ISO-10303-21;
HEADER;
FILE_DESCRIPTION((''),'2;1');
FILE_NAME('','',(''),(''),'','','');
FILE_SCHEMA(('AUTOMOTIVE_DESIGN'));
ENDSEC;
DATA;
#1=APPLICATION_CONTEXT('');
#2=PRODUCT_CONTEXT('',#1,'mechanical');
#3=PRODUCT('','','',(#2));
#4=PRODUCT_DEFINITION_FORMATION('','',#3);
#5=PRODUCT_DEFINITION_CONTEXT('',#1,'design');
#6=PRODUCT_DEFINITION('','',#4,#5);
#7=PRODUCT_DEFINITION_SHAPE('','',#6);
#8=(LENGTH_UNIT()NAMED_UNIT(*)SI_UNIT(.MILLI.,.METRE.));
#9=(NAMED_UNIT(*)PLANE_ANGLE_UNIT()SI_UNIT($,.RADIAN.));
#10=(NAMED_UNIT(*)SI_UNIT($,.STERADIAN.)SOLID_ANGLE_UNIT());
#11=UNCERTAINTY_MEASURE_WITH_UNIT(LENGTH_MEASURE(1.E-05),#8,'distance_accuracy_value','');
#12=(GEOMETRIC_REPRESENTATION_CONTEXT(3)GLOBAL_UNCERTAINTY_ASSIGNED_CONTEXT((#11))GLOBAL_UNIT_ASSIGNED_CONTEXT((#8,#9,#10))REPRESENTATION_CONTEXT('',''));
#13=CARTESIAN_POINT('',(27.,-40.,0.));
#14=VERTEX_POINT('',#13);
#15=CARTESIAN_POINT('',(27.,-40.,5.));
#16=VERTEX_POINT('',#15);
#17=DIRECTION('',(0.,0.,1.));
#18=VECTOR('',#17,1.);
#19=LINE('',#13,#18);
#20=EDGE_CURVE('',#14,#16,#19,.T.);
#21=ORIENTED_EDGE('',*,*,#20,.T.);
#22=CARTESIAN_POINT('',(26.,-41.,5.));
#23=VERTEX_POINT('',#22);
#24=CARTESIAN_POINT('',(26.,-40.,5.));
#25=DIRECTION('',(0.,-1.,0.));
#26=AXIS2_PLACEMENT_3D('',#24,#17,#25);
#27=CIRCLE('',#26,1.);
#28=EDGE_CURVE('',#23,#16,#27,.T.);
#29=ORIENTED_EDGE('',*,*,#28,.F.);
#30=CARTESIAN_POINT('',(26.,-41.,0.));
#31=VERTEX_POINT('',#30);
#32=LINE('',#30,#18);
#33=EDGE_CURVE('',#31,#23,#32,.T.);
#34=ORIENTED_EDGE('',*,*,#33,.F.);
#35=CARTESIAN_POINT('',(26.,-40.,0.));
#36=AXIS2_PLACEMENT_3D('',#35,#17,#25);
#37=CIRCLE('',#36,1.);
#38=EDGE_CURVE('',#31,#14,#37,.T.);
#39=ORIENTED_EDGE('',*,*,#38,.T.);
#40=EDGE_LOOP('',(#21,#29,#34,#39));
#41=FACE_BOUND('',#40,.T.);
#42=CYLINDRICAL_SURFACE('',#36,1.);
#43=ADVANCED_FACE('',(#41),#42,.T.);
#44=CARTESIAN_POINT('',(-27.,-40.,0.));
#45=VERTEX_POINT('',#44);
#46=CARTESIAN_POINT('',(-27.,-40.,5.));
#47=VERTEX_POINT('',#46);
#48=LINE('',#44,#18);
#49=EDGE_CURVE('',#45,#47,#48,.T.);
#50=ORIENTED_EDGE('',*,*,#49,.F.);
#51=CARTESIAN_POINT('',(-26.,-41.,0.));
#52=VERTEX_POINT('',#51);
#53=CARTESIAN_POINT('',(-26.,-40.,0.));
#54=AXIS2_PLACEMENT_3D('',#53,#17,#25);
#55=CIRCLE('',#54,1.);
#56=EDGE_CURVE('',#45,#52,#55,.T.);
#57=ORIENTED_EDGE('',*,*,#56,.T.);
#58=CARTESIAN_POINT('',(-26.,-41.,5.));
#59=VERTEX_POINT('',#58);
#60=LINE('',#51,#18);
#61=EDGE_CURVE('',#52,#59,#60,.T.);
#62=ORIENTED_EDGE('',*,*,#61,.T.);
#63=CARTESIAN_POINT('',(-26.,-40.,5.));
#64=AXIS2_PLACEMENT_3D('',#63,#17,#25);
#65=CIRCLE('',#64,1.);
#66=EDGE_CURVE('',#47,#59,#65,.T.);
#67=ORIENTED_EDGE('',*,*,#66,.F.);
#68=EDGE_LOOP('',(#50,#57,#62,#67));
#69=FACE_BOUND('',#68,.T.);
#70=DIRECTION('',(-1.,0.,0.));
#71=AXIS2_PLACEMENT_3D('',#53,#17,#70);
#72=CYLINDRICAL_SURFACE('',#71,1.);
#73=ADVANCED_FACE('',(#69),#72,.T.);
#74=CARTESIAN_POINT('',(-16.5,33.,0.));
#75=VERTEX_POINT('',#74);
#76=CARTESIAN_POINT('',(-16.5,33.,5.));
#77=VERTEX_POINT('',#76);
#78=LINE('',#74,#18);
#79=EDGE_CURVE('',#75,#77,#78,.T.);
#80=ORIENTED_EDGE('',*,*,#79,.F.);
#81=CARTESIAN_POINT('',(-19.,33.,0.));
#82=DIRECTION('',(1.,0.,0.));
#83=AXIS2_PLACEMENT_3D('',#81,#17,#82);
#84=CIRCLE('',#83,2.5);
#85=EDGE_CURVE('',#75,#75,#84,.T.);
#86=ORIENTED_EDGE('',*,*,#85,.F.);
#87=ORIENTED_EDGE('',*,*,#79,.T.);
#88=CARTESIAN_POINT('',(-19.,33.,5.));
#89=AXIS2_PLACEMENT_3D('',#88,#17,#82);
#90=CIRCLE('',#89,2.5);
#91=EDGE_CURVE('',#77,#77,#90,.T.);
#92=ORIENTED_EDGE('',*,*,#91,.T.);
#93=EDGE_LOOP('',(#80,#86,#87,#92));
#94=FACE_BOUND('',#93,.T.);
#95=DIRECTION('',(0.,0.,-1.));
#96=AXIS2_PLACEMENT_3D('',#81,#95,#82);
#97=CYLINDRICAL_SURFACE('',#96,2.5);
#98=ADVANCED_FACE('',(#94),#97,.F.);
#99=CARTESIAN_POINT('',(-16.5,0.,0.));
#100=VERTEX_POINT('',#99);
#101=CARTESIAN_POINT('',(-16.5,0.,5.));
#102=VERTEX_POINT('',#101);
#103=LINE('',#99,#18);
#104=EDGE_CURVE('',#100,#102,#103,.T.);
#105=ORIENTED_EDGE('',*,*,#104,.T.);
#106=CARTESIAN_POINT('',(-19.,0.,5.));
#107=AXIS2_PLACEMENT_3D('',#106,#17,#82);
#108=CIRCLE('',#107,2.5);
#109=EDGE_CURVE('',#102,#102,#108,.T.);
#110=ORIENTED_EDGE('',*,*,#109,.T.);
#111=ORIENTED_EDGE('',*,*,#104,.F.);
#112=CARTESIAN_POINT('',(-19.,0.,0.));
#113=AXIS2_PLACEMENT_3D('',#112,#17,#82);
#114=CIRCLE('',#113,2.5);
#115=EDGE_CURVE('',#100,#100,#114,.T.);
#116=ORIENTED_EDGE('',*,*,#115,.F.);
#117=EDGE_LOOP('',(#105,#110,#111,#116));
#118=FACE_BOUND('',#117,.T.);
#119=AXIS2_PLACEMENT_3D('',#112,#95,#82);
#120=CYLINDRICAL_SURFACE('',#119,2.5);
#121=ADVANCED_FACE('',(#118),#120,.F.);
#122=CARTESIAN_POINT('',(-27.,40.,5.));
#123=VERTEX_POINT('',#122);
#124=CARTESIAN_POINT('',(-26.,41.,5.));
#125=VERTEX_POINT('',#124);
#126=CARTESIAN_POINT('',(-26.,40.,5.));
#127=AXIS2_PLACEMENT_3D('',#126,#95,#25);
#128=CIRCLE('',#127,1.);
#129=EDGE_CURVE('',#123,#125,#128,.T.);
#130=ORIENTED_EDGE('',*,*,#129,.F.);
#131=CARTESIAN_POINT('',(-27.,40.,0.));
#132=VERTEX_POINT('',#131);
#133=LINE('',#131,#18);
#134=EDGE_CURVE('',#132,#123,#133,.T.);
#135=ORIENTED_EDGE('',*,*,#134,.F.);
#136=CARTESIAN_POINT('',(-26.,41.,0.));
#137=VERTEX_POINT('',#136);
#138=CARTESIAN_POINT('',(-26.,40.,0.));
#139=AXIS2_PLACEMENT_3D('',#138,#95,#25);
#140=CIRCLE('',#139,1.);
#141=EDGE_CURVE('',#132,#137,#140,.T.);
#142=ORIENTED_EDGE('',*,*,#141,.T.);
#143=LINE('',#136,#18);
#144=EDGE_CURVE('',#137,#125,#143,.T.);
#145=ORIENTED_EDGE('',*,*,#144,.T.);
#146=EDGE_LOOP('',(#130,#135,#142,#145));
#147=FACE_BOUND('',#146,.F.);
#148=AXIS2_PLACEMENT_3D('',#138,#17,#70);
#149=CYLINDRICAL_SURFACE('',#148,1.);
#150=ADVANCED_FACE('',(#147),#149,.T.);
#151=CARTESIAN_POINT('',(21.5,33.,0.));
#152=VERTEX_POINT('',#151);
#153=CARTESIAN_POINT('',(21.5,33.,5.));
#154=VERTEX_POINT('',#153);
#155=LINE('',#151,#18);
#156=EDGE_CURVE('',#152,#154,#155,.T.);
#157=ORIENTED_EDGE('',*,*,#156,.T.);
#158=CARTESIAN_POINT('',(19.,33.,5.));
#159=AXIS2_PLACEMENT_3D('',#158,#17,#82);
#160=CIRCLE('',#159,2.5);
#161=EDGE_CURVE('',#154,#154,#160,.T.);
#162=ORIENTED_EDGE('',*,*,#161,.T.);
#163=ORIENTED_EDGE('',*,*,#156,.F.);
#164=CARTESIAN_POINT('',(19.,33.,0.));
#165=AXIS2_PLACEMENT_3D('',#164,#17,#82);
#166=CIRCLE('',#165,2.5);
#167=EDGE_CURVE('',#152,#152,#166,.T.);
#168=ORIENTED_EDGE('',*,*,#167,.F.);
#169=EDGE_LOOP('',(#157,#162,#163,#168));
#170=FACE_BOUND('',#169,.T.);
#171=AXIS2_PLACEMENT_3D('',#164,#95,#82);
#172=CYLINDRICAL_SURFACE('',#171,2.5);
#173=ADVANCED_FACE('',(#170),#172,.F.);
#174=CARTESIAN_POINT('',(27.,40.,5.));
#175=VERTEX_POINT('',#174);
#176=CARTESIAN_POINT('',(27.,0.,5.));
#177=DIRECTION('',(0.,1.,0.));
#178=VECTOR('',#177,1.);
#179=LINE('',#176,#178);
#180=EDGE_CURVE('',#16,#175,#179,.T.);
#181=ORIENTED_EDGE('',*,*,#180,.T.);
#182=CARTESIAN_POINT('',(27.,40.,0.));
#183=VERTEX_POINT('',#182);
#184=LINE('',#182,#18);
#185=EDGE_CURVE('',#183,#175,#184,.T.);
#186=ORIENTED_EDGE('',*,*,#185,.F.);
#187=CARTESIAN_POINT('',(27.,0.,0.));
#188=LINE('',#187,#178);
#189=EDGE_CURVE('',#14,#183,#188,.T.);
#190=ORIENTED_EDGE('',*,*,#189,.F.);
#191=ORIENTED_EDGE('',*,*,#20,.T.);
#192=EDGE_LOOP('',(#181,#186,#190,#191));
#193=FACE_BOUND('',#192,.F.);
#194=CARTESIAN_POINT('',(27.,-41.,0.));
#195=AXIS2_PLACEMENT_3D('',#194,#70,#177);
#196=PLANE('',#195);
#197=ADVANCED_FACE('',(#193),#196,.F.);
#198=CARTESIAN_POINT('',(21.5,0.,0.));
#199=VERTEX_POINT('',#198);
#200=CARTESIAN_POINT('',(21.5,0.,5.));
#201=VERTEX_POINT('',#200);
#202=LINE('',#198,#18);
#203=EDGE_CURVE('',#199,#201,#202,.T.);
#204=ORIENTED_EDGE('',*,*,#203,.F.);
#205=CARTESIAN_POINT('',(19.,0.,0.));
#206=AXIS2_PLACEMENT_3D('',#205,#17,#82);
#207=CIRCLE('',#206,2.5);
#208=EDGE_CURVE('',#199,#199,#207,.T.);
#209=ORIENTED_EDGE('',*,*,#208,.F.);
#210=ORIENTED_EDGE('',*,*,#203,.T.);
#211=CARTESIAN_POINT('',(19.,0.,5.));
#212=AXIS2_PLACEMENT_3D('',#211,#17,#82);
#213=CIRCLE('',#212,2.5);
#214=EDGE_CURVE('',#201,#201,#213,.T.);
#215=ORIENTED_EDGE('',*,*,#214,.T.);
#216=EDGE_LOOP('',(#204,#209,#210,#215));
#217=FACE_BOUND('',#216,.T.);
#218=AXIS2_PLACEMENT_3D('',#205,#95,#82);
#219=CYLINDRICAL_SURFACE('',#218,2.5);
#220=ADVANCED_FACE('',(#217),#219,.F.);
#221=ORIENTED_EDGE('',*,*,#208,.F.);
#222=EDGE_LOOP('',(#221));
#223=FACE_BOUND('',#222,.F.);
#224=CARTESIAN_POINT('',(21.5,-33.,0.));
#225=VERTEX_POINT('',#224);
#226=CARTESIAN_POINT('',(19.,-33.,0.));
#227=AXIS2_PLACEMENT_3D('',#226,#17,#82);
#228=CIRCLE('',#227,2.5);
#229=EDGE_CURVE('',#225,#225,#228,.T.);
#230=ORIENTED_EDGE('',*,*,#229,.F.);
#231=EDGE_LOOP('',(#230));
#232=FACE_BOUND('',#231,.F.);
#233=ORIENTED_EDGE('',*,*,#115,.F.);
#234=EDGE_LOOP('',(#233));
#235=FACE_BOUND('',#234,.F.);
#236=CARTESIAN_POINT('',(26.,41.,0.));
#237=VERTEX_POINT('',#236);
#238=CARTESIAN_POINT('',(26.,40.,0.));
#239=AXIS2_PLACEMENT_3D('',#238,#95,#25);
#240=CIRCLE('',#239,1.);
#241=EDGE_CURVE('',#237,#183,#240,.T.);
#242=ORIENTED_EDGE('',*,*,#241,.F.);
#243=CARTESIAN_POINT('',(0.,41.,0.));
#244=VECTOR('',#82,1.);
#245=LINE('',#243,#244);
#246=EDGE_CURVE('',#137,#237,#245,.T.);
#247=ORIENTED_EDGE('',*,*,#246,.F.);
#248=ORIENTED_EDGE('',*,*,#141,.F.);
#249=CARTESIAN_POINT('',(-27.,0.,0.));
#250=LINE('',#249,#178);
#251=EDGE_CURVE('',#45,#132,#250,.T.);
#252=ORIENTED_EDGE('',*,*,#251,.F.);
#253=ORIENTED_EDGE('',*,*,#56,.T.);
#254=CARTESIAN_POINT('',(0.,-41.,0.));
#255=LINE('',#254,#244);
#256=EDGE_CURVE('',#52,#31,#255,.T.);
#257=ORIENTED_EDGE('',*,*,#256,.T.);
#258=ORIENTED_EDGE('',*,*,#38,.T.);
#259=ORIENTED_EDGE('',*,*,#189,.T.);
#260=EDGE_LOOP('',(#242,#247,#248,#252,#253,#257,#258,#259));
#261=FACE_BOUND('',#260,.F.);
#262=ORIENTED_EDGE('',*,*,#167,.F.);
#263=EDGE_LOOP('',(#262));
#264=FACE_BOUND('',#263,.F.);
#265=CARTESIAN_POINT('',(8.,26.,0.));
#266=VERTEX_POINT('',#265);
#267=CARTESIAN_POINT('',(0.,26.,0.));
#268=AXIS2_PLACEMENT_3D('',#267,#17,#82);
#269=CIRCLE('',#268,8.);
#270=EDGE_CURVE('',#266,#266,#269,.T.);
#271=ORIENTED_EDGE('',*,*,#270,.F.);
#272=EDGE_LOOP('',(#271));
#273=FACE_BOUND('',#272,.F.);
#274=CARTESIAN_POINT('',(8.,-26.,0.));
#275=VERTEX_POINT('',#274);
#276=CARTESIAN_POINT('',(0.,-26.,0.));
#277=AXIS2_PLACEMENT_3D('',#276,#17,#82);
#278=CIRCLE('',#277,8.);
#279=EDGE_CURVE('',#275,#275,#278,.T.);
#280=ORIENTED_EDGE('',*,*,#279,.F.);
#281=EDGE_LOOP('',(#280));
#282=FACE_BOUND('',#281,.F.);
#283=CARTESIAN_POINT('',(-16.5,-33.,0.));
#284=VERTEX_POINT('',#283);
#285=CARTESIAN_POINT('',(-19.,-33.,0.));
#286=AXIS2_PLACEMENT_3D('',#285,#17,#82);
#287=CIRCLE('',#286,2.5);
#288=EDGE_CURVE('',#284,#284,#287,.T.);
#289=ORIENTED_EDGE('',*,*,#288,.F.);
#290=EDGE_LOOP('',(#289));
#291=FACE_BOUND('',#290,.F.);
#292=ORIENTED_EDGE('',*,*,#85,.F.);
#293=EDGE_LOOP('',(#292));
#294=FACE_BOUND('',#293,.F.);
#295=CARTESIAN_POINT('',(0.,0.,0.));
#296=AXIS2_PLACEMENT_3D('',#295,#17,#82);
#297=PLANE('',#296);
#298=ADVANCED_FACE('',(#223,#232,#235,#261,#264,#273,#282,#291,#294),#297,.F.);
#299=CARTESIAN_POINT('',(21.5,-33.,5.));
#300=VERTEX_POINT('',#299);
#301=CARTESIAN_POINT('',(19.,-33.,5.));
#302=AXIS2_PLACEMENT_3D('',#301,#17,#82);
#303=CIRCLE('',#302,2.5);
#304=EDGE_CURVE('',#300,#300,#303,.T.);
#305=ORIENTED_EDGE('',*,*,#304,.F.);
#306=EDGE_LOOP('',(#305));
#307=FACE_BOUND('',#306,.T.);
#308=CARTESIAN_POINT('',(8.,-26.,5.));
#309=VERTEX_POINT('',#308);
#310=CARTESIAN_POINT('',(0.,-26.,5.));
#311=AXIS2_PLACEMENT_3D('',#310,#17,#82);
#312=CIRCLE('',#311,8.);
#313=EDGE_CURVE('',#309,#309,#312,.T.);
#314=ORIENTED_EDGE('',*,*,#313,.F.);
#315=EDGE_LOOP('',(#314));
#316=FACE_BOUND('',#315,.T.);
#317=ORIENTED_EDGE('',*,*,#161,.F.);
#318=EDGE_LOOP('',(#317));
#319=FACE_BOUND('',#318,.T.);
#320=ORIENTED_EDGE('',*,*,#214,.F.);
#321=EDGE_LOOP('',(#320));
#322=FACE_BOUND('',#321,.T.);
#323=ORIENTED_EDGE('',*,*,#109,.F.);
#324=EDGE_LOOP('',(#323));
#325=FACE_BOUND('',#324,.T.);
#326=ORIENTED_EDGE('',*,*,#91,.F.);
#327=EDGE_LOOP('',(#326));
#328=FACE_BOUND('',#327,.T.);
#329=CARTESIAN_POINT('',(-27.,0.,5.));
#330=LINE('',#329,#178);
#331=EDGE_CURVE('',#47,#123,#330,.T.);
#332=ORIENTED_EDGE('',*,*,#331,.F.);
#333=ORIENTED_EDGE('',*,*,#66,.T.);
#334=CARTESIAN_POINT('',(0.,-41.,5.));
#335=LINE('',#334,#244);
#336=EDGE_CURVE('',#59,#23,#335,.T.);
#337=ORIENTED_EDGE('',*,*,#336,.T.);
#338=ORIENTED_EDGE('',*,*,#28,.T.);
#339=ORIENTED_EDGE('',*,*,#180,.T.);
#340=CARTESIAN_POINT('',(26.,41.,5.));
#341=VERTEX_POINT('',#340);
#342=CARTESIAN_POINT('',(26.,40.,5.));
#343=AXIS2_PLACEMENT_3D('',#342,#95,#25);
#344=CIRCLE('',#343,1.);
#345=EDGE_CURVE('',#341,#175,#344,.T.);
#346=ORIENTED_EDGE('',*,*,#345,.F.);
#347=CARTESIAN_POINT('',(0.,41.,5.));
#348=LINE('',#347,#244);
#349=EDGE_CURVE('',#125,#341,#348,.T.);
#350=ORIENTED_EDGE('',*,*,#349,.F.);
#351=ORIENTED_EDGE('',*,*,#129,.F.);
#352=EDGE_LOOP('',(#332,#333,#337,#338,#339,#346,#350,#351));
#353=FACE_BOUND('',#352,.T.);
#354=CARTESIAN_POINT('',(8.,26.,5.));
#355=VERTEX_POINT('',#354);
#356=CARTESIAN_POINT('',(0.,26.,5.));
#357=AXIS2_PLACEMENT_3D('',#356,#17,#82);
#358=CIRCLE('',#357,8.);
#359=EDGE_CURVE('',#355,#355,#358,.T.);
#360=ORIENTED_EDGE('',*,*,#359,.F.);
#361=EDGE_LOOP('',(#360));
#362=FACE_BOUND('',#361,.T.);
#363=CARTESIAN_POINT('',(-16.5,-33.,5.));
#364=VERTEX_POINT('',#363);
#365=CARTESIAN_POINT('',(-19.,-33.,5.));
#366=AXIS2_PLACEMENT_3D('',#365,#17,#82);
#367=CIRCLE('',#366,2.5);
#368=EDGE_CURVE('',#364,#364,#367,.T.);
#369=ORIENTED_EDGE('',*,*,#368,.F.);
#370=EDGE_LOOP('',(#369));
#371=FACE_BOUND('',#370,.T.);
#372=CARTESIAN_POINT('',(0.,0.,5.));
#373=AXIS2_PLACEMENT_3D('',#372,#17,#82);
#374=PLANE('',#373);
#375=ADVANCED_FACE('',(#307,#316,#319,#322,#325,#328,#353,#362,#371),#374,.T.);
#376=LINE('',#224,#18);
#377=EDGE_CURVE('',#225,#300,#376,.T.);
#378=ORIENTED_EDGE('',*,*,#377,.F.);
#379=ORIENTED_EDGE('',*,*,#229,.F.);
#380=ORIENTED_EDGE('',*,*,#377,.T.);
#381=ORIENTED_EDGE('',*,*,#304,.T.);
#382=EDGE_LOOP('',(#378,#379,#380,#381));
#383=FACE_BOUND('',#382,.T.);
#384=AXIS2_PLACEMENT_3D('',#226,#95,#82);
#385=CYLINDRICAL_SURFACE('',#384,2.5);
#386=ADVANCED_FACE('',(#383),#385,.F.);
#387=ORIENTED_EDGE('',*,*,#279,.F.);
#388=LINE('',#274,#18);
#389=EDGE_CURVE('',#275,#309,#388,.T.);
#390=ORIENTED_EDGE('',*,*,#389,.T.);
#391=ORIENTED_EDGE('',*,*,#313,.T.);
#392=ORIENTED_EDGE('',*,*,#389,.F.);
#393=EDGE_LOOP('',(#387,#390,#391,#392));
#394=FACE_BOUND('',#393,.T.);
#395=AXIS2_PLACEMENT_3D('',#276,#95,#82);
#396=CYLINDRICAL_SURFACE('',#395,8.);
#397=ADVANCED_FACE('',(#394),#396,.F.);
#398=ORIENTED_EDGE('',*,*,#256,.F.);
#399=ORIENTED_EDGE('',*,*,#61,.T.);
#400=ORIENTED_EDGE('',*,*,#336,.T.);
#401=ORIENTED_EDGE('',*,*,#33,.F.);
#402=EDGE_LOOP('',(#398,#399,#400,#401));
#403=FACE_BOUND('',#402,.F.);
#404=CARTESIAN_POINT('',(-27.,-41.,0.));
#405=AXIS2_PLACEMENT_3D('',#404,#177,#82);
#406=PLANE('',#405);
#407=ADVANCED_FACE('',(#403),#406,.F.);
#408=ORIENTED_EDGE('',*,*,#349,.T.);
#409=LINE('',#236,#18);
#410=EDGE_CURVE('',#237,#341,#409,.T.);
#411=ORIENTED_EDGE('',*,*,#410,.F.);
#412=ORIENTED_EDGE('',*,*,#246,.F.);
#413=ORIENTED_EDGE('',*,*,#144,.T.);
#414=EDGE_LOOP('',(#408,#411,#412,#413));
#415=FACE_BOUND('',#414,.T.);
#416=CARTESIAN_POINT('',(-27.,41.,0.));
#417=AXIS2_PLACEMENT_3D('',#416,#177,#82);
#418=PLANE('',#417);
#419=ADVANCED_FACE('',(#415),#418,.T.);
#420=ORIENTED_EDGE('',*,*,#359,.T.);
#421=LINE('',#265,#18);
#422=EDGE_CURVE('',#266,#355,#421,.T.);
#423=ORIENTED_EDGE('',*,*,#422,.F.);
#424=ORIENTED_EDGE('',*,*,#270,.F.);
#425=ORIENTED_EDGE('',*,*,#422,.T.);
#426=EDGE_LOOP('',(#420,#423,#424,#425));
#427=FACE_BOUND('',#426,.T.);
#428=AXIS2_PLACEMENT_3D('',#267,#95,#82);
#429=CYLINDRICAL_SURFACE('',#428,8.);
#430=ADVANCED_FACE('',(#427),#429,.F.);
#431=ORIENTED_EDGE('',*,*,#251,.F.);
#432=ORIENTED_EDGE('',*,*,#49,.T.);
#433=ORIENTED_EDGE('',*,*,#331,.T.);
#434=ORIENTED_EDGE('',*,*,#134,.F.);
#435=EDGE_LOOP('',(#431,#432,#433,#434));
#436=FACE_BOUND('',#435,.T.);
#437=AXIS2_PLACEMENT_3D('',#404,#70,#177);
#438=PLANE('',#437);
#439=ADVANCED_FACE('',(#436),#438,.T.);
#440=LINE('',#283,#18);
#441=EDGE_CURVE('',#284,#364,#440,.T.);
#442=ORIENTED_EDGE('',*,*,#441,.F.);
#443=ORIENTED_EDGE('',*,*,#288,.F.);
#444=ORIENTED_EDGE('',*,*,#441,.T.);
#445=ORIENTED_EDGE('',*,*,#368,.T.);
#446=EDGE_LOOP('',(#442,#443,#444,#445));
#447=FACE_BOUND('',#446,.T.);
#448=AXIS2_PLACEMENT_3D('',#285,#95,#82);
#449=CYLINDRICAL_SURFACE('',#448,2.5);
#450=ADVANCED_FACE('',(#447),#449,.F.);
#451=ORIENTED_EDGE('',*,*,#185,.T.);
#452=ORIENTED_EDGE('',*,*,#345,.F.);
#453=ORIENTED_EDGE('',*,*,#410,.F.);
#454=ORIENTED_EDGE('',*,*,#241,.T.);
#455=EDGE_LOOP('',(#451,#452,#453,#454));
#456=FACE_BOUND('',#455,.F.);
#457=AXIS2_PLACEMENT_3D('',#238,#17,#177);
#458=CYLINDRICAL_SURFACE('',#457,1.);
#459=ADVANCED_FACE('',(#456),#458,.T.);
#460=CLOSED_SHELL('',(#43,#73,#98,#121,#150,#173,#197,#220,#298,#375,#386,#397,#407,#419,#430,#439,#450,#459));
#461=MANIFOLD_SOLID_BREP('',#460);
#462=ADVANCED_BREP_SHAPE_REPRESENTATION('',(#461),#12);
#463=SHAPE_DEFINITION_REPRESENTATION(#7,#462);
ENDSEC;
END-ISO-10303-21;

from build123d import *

# Parameters (mm, degrees)
F0_W     = 54
F0_H     = 82
F0_R     = 2.5
F0_R_2   = 8
F1_DEPTH = 5
F2_R     = 1


with BuildPart() as f1:
    # F0 (on Top) → F1 (new body)
    with BuildSketch(Plane.XY):
        Rectangle(F0_W, F0_H)
        with Locations((-19, -33)):
            Circle(F0_R, mode=Mode.SUBTRACT)
        with Locations((0, -26)):
            Circle(F0_R_2, mode=Mode.SUBTRACT)
        with Locations((19, -33)):
            Circle(F0_R, mode=Mode.SUBTRACT)
        with Locations((-19, 0)):
            Circle(F0_R, mode=Mode.SUBTRACT)
        with Locations((-19, 33)):
            Circle(F0_R, mode=Mode.SUBTRACT)
        with Locations((19, 0)):
            Circle(F0_R, mode=Mode.SUBTRACT)
        with Locations((0, 26)):
            Circle(F0_R_2, mode=Mode.SUBTRACT)
        with Locations((19, 33)):
            Circle(F0_R, mode=Mode.SUBTRACT)
    extrude(amount=F1_DEPTH)

    # F2
    f2_edges = [f1.edges().sort_by_distance(p)[0] for p in [
        (27, -41, 2.5),
        (-27, -41, 2.5),
        (-27, 41, 2.5),
        (27, 41, 2.5),
    ]]
    fillet(f2_edges, radius=F2_R)


solid = f1.part
